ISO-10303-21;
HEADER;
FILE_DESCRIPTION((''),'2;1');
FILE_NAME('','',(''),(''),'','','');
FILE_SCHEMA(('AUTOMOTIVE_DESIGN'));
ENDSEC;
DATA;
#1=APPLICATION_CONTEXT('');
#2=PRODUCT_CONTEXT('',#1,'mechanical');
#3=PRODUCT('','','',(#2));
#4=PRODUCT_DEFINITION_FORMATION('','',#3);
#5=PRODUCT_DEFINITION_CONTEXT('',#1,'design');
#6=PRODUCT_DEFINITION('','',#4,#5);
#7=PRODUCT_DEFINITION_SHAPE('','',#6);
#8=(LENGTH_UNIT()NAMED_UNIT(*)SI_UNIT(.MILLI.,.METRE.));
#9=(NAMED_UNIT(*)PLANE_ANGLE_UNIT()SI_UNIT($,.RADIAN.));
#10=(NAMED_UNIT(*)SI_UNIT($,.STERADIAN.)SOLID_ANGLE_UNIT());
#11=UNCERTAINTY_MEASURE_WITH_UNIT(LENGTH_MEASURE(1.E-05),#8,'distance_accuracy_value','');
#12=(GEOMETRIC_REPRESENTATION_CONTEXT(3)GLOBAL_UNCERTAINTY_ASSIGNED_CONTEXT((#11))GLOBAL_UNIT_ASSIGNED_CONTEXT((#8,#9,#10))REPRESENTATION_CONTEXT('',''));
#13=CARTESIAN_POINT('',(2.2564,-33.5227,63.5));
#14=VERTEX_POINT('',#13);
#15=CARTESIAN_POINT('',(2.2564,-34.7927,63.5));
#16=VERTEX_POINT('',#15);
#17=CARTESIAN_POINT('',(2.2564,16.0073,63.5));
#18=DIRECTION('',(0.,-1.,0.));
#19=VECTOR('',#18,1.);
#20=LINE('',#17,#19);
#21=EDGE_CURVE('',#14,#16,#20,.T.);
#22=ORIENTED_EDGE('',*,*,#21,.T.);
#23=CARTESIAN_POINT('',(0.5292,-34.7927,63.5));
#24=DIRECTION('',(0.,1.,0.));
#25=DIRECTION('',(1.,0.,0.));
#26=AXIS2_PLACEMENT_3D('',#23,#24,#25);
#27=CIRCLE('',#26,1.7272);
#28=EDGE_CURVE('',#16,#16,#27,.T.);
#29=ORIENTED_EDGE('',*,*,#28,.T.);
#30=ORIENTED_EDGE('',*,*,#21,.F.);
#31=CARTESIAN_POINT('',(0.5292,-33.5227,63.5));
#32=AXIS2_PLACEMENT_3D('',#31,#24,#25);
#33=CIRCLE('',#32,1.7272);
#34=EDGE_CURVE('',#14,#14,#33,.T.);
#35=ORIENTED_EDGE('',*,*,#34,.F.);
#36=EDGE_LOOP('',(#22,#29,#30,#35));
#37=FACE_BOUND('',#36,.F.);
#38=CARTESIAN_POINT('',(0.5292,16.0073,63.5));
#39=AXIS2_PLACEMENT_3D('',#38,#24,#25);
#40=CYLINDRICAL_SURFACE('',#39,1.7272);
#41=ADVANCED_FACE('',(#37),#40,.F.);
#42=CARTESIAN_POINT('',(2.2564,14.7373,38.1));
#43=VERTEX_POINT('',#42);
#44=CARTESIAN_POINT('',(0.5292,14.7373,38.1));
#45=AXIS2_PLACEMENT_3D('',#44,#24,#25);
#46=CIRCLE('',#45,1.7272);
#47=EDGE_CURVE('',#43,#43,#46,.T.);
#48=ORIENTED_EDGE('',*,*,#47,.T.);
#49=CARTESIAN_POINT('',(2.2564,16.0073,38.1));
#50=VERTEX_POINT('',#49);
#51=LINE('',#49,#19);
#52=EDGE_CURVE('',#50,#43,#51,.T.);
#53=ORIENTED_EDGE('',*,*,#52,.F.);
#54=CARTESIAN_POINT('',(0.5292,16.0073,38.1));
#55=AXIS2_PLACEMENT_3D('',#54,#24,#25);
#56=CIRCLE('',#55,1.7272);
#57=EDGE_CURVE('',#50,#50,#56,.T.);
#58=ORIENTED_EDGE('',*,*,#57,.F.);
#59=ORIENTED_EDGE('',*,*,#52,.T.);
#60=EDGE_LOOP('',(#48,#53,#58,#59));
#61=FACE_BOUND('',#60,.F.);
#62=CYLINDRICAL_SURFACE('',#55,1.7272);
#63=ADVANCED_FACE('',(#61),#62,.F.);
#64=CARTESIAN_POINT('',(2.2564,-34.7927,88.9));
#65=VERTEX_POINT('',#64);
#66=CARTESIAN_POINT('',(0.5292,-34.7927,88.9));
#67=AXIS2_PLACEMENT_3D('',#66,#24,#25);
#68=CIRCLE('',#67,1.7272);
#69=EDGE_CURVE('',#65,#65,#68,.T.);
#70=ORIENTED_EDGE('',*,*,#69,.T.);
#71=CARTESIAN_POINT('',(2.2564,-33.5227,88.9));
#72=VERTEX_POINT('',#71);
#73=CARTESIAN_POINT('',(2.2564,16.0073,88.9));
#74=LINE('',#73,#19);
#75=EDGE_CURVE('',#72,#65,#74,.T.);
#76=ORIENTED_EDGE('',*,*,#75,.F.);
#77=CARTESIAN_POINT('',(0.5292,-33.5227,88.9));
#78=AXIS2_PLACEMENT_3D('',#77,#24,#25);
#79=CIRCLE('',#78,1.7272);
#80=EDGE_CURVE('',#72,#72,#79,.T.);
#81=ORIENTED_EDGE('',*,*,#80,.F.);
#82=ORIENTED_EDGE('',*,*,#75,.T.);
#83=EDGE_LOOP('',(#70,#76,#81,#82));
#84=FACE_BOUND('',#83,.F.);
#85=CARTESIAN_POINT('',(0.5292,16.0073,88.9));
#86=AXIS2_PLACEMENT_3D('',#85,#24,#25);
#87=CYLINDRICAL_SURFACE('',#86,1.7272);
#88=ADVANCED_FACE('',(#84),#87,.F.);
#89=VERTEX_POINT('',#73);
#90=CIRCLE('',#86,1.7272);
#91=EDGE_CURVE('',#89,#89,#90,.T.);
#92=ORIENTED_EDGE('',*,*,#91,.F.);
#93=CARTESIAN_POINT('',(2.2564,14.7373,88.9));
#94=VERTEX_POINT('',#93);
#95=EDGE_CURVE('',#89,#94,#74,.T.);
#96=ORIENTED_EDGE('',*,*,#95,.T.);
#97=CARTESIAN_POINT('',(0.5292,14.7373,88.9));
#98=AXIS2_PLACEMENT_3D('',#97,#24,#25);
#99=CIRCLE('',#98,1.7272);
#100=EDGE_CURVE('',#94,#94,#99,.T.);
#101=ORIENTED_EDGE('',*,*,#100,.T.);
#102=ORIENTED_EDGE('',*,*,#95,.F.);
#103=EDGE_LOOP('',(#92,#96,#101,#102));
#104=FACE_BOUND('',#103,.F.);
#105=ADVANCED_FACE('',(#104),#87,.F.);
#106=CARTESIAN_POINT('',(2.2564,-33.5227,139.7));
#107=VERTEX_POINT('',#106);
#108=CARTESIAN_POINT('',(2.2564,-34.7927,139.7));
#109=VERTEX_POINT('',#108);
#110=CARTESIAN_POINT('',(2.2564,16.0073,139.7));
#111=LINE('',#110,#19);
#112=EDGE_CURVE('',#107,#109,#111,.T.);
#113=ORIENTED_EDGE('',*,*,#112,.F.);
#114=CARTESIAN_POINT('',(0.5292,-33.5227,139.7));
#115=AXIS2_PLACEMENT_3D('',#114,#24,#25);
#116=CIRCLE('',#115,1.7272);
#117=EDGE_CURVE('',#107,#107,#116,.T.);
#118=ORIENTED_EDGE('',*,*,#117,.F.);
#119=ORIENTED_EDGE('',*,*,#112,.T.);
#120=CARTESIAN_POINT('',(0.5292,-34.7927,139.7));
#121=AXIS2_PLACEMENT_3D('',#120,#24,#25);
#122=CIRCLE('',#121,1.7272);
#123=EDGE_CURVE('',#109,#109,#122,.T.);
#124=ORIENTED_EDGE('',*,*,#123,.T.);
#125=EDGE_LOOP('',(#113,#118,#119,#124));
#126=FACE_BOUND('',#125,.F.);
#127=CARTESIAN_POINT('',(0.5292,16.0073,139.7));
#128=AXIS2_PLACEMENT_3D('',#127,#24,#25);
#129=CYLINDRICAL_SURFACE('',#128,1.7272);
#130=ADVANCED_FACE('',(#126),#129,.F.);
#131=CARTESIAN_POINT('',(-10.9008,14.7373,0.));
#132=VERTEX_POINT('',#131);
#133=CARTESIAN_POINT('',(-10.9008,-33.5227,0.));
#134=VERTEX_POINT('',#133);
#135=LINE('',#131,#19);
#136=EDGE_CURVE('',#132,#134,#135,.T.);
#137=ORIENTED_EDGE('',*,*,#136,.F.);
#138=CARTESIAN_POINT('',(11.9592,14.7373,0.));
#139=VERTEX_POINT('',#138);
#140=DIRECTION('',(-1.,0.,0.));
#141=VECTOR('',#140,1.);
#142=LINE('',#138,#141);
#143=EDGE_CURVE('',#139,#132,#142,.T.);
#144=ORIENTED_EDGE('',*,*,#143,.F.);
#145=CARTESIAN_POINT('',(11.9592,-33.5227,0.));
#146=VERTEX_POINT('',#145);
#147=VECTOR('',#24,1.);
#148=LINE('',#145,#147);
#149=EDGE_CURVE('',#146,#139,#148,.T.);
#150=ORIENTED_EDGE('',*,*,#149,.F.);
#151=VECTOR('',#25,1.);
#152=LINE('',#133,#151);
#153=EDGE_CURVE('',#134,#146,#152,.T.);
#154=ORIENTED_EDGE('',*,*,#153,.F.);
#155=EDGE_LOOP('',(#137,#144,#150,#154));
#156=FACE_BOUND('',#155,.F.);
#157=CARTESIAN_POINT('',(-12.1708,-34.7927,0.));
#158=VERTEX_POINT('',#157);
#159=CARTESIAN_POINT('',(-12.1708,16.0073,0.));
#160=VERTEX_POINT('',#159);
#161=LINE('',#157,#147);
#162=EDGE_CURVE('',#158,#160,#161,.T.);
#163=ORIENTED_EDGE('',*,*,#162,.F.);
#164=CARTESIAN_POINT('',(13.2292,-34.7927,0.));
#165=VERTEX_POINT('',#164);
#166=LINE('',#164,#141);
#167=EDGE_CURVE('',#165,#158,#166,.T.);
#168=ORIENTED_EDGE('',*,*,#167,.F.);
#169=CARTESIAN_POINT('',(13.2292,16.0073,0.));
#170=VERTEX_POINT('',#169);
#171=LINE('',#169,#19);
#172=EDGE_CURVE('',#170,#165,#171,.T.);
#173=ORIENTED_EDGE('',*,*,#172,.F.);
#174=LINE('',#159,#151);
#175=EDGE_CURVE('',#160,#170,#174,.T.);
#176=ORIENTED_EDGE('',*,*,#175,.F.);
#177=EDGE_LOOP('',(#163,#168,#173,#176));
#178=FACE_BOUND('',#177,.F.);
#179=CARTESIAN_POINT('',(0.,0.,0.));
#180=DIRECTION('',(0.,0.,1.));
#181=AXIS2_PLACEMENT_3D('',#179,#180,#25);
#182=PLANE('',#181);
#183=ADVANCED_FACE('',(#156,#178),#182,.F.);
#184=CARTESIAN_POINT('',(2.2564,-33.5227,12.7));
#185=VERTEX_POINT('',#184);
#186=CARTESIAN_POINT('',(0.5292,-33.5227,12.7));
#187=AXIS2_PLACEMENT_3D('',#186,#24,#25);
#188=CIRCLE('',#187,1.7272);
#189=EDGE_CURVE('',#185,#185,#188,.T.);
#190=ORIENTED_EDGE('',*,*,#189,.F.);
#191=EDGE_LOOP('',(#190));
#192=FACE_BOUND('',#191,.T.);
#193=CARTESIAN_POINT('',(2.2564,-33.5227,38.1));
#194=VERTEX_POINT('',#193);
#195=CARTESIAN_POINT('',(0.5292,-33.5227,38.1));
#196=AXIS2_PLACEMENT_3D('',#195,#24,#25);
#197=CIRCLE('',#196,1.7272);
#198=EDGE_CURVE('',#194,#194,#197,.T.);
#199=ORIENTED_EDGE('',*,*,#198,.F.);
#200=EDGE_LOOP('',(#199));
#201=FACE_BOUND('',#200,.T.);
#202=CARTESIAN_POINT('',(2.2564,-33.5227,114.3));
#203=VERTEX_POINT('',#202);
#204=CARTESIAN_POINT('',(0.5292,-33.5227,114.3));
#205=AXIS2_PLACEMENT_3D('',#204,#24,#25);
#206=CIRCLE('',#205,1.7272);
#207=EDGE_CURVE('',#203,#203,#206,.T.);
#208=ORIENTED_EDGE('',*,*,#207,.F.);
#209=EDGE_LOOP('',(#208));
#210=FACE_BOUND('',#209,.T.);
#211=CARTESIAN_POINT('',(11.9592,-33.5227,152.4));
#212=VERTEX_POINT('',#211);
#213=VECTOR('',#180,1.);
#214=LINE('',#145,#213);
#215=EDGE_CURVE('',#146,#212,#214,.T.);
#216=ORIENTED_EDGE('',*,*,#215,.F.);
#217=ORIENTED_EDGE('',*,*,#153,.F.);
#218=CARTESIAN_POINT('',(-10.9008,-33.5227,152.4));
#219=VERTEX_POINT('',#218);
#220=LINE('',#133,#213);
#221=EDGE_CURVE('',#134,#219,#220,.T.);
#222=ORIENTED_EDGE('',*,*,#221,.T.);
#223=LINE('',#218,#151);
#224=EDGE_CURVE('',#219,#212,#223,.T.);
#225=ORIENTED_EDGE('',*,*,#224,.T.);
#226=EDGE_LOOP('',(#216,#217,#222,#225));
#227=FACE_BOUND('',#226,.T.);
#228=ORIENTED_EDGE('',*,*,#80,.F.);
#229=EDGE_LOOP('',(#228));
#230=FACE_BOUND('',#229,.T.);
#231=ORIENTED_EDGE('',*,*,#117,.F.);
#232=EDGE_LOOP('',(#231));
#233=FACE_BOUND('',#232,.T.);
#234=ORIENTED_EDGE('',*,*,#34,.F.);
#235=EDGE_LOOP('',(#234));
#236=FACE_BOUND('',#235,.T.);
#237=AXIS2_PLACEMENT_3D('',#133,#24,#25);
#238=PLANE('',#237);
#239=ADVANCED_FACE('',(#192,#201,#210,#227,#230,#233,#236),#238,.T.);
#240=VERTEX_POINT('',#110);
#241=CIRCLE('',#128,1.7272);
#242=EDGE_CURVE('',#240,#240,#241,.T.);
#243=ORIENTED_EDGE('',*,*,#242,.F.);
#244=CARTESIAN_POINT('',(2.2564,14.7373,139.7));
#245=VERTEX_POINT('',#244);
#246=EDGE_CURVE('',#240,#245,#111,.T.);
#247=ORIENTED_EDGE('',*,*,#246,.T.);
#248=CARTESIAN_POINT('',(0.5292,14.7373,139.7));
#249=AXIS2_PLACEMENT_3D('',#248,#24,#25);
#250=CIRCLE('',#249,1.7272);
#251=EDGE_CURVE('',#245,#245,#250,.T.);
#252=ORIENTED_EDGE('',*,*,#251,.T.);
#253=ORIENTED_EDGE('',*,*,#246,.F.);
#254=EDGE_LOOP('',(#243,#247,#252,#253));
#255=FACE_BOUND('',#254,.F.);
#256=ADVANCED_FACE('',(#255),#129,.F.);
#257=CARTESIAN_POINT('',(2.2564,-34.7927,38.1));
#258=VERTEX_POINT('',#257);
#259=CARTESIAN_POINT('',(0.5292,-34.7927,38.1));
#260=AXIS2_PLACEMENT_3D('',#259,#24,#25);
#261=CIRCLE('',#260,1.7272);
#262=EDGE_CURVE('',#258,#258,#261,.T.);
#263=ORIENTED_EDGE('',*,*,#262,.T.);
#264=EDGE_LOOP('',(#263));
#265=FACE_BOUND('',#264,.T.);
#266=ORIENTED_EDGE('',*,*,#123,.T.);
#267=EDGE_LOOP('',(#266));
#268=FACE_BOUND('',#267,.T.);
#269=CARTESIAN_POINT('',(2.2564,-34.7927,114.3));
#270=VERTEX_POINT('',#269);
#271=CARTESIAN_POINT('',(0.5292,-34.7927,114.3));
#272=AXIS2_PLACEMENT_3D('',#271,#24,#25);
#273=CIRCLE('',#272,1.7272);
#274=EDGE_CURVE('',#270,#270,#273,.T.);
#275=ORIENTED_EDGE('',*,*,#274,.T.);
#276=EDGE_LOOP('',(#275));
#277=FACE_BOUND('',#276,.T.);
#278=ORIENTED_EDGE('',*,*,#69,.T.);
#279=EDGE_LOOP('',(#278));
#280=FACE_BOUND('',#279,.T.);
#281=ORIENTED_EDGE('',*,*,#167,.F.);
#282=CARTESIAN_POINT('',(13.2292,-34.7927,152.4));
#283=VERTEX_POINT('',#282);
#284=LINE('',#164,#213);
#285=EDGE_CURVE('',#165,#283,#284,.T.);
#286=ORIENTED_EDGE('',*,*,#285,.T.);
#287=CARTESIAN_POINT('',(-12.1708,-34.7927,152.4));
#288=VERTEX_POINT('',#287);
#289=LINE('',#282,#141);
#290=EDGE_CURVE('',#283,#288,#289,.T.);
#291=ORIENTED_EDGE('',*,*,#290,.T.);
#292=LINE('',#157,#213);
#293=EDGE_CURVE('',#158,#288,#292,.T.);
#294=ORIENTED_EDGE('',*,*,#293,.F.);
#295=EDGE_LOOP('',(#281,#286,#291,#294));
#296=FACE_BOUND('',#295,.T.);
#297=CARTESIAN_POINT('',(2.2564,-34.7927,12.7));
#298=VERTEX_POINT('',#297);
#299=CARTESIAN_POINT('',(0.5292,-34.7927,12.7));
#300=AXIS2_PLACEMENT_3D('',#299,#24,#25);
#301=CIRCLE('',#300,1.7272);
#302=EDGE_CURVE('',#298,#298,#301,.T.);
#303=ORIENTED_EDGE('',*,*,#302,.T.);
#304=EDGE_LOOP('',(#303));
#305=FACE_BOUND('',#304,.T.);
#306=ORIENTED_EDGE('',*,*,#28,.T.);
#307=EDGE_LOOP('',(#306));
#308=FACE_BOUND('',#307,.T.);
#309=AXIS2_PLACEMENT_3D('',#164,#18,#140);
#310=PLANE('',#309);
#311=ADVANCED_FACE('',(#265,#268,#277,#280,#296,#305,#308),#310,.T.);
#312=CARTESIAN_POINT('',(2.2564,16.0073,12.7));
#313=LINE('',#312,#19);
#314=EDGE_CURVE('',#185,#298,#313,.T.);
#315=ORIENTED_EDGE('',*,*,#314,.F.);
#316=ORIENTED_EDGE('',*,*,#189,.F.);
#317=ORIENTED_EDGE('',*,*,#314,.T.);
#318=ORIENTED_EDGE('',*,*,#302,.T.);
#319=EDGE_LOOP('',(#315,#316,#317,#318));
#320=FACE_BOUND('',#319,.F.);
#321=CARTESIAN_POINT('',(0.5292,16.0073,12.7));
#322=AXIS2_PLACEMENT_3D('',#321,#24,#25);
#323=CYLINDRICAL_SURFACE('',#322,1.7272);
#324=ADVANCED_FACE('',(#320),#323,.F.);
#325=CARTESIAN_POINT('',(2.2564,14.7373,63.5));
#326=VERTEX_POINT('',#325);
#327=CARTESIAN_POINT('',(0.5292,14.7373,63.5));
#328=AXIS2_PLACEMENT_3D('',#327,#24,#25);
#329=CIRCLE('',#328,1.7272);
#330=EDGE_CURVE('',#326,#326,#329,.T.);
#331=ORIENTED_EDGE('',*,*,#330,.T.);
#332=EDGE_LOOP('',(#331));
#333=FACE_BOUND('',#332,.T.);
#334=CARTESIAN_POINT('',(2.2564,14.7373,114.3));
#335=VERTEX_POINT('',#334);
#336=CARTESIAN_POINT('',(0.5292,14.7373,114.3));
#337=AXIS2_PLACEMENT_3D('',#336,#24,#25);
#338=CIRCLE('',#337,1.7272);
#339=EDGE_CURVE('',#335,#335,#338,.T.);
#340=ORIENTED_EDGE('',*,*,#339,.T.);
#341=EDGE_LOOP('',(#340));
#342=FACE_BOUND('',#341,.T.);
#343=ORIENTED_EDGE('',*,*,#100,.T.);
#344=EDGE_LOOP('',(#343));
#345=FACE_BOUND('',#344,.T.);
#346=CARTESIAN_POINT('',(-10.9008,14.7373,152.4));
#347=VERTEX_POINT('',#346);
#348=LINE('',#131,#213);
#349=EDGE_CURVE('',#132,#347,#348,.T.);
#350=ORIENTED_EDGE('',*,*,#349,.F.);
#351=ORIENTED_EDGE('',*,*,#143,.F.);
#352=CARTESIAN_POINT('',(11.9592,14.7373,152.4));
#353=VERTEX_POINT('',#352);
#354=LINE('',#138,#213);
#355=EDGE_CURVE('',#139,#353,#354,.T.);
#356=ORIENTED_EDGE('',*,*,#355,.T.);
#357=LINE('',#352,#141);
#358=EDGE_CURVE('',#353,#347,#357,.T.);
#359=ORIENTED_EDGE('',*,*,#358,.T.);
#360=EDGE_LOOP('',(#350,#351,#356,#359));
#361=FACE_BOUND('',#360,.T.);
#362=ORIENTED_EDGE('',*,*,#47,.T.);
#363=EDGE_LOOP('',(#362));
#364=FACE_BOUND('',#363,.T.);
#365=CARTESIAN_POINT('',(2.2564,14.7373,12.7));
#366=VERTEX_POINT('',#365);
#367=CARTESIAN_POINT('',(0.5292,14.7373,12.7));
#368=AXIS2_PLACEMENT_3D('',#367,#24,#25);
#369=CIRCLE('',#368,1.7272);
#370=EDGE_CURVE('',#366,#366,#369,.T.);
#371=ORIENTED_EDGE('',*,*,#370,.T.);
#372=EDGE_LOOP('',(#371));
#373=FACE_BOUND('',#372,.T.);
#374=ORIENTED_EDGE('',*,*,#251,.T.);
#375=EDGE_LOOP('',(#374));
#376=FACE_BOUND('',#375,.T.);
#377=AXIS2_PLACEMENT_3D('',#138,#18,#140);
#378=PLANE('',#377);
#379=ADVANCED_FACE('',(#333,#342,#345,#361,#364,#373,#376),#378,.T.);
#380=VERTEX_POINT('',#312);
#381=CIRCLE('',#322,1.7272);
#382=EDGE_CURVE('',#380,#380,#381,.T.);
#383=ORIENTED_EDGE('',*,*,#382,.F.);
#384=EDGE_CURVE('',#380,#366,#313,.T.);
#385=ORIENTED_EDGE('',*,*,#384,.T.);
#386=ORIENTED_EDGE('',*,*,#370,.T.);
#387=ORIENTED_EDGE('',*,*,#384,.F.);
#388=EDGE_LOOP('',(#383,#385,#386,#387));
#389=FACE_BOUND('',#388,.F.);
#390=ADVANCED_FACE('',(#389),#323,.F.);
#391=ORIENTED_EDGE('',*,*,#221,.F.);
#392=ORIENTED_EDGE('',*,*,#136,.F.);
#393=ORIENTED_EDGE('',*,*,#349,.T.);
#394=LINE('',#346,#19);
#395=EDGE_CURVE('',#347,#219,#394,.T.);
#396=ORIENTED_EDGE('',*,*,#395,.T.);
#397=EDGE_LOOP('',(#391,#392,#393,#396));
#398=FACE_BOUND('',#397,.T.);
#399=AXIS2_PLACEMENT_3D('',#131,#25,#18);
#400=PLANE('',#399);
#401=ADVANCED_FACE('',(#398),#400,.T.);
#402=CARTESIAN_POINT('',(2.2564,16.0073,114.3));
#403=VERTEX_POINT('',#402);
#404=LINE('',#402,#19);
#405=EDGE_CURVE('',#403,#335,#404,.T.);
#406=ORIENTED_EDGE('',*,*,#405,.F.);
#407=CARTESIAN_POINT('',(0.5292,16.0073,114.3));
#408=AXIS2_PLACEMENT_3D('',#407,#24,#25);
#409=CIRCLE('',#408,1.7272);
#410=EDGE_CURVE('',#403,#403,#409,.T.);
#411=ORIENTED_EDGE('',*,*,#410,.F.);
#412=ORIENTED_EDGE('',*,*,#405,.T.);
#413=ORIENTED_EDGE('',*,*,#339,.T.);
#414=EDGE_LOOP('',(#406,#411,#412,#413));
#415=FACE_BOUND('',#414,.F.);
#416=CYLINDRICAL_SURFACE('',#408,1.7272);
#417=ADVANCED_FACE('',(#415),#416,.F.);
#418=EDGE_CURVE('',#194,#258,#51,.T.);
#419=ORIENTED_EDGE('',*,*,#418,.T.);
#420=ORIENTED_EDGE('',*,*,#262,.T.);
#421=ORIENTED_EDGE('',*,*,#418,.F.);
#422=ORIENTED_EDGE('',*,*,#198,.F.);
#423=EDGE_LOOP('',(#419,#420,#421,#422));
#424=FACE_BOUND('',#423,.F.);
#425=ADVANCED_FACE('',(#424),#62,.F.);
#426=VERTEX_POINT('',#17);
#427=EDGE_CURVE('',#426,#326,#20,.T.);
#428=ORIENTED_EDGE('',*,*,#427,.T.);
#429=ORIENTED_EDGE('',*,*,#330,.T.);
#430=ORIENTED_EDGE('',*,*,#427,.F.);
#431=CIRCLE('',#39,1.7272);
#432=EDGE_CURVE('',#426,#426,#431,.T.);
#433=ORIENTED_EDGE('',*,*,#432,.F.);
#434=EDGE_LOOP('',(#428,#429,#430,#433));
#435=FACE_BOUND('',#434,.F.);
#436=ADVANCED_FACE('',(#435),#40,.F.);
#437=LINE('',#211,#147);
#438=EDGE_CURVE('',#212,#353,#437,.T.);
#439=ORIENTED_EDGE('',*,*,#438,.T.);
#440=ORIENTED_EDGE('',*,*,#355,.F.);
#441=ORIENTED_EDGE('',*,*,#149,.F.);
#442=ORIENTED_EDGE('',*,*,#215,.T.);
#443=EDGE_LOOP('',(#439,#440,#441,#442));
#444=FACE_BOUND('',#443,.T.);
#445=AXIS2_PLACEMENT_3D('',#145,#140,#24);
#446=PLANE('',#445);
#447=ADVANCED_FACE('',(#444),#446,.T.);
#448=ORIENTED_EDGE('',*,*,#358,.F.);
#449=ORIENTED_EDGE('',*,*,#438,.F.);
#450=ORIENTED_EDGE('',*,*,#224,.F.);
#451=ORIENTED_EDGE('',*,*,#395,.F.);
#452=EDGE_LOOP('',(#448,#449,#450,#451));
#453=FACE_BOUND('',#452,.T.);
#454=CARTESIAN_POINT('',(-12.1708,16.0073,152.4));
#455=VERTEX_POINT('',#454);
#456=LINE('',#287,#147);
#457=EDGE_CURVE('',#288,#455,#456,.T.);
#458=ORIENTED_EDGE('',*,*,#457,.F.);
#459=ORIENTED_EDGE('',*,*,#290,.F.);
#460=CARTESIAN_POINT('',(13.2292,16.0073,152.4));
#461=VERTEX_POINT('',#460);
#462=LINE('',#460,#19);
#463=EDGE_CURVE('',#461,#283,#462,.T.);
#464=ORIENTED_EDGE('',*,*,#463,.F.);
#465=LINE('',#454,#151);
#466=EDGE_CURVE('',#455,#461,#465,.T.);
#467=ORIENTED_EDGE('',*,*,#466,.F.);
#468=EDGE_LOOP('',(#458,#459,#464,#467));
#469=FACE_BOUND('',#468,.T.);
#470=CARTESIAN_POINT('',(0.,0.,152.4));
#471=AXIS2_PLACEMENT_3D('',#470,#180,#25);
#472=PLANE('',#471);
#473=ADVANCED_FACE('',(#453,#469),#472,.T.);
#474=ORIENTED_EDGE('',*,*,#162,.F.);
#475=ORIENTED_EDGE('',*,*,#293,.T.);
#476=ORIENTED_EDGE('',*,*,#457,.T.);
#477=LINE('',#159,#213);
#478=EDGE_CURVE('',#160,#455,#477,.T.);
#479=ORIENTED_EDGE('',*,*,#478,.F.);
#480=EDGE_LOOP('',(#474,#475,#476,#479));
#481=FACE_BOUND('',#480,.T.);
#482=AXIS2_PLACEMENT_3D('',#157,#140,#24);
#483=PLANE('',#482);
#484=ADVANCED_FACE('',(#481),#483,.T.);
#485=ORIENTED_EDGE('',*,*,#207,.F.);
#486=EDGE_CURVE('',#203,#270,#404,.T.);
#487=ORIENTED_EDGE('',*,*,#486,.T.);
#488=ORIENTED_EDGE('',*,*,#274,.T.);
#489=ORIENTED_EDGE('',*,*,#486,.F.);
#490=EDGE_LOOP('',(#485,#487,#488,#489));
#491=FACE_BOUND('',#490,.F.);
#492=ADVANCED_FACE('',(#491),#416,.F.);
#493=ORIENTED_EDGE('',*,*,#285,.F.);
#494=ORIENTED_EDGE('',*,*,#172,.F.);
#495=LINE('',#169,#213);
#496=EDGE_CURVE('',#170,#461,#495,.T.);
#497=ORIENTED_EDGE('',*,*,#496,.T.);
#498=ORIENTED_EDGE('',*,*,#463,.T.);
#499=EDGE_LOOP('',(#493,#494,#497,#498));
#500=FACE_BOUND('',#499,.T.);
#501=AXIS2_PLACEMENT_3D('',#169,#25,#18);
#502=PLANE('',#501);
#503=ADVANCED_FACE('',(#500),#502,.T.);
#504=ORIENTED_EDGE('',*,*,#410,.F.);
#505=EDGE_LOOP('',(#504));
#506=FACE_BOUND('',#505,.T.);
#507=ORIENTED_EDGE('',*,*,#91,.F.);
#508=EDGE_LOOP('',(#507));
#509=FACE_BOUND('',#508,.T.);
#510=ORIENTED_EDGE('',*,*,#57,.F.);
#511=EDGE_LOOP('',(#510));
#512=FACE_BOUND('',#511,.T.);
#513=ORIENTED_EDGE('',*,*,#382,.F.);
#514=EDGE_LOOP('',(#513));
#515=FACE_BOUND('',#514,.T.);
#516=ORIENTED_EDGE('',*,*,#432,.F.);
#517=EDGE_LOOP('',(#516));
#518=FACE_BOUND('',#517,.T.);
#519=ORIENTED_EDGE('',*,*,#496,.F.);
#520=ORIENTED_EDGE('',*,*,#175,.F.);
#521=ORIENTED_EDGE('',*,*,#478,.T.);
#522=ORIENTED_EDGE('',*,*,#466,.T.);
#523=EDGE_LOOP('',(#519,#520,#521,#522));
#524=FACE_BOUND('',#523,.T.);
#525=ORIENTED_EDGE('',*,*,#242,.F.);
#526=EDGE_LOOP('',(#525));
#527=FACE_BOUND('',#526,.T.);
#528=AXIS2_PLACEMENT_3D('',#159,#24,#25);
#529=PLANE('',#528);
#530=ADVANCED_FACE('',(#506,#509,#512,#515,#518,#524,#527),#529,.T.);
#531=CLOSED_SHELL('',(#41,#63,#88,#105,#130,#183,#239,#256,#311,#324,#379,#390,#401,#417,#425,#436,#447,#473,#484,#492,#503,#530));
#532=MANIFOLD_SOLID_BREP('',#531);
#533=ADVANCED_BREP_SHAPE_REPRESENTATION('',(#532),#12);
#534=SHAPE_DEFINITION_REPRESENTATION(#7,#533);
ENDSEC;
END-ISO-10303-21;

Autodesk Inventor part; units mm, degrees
ref_plane "YZ Plane" through (0, 0, 0) normal (1, 0, 0) x (0, 1, 0)
ref_plane "XZ Plane" through (0, 0, 0) normal (0, 1, 0) x (-1, 0, 0)
ref_plane "XY Plane" through (0, 0, 0) normal (0, 0, 1) x (1, 0, 0)
sketch "Sketch1" plane through (0, 0, 0) normal (0, 0, 1) x (1, 0, 0)
  line L0 (-12.1708, 16.0073) -> (13.2292, 16.0073)
  line L1 (13.2292, 16.0073) -> (13.2292, -34.7927)
  line L2 (13.2292, -34.7927) -> (-12.1708, -34.7927)
  line L3 (-12.1708, -34.7927) -> (-12.1708, 16.0073)
  line L4 (11.9592, 14.7373) -> (-10.9008, 14.7373)
  line L5 (-10.9008, 14.7373) -> (-10.9008, -33.5227)
  line L6 (-10.9008, -33.5227) -> (11.9592, -33.5227)
  line L7 (11.9592, -33.5227) -> (11.9592, 14.7373)
  point P0 (0, 0)
  dimension "d0" = 25.4
  dimension "d1" = 50.8
  dimension "d2" = 1.27
extrude "Extrusion1" add sketch "Sketch1" along normal blind 152.4
sketch "Sketch2" plane through (-12.1708, 16.0073, 0) normal (0, 1, 0) x (1, 0, 0)
  circle A0 centre (12.7, -12.7) radius 1.7272
  line L0 (25.4, 0) -> (0, 0) projected
  line L1 (0, 0) -> (0, -152.4) projected
  point P0 (12.1708, 0)
  dimension "d5" = 3.4544
  dimension "d6" = 12.7
  dimension "d7" = 12.7
extrude "Extrusion2" cut sketch "Sketch2" against normal through all
pattern_linear "Rectangular Pattern1" count 6 spacing 25.4 along (0, 0, 1) of "Extrusion2"
equation "\"d3\" = d13"
equation "\"d13\" = 152.4"
properties part number "VerseFrame 6in"
